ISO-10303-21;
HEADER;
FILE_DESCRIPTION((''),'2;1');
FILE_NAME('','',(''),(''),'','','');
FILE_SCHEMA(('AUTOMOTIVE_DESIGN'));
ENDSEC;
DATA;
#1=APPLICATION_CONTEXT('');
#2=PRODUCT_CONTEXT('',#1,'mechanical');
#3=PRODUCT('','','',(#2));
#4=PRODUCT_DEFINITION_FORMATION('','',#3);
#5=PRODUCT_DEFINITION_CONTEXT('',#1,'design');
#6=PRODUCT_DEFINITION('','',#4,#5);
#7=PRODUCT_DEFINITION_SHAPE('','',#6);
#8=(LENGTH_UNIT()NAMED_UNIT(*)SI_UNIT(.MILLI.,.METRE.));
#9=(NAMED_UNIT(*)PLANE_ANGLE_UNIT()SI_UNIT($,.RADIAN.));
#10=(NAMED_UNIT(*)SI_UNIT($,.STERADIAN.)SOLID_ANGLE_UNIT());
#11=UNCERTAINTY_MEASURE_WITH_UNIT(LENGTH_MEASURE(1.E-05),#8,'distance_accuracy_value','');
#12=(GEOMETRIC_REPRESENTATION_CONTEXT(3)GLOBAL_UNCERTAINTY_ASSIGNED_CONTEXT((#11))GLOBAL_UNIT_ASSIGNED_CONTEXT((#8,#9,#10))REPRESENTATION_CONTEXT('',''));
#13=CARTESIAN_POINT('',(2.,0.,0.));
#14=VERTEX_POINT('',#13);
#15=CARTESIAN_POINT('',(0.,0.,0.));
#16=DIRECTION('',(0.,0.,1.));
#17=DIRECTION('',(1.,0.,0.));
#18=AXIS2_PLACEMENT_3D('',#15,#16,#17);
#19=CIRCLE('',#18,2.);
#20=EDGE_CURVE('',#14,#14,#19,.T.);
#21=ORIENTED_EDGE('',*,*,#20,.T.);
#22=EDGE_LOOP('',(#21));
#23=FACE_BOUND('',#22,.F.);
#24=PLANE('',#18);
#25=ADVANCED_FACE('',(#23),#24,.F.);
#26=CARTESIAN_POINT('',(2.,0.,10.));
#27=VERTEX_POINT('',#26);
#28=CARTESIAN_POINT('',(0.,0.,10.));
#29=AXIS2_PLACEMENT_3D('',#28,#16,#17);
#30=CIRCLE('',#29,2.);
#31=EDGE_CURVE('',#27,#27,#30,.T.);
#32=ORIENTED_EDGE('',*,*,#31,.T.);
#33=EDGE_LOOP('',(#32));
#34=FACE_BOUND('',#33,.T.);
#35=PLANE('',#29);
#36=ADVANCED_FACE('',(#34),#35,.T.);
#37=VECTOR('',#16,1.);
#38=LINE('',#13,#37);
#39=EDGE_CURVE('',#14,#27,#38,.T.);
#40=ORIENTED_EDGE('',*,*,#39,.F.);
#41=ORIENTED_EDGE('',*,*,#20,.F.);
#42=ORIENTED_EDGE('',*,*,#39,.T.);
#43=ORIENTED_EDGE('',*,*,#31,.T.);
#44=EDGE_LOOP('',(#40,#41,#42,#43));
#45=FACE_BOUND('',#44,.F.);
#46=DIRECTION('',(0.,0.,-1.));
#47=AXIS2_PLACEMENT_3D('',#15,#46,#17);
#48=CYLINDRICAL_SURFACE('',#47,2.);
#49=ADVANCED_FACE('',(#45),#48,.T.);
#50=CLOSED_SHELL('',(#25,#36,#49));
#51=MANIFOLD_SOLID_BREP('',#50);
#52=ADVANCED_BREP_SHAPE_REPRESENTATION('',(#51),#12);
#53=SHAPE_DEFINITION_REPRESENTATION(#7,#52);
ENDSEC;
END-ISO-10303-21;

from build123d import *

# Parameters (mm, degrees)
CYLINDER_R     = 2
CYLINDER_DEPTH = 10


with BuildPart() as part:
    # Cylinder → Cylinder (new body)
    with BuildSketch(Plane.XY):
        Circle(CYLINDER_R)
    extrude(amount=CYLINDER_DEPTH)


solid = part.part
